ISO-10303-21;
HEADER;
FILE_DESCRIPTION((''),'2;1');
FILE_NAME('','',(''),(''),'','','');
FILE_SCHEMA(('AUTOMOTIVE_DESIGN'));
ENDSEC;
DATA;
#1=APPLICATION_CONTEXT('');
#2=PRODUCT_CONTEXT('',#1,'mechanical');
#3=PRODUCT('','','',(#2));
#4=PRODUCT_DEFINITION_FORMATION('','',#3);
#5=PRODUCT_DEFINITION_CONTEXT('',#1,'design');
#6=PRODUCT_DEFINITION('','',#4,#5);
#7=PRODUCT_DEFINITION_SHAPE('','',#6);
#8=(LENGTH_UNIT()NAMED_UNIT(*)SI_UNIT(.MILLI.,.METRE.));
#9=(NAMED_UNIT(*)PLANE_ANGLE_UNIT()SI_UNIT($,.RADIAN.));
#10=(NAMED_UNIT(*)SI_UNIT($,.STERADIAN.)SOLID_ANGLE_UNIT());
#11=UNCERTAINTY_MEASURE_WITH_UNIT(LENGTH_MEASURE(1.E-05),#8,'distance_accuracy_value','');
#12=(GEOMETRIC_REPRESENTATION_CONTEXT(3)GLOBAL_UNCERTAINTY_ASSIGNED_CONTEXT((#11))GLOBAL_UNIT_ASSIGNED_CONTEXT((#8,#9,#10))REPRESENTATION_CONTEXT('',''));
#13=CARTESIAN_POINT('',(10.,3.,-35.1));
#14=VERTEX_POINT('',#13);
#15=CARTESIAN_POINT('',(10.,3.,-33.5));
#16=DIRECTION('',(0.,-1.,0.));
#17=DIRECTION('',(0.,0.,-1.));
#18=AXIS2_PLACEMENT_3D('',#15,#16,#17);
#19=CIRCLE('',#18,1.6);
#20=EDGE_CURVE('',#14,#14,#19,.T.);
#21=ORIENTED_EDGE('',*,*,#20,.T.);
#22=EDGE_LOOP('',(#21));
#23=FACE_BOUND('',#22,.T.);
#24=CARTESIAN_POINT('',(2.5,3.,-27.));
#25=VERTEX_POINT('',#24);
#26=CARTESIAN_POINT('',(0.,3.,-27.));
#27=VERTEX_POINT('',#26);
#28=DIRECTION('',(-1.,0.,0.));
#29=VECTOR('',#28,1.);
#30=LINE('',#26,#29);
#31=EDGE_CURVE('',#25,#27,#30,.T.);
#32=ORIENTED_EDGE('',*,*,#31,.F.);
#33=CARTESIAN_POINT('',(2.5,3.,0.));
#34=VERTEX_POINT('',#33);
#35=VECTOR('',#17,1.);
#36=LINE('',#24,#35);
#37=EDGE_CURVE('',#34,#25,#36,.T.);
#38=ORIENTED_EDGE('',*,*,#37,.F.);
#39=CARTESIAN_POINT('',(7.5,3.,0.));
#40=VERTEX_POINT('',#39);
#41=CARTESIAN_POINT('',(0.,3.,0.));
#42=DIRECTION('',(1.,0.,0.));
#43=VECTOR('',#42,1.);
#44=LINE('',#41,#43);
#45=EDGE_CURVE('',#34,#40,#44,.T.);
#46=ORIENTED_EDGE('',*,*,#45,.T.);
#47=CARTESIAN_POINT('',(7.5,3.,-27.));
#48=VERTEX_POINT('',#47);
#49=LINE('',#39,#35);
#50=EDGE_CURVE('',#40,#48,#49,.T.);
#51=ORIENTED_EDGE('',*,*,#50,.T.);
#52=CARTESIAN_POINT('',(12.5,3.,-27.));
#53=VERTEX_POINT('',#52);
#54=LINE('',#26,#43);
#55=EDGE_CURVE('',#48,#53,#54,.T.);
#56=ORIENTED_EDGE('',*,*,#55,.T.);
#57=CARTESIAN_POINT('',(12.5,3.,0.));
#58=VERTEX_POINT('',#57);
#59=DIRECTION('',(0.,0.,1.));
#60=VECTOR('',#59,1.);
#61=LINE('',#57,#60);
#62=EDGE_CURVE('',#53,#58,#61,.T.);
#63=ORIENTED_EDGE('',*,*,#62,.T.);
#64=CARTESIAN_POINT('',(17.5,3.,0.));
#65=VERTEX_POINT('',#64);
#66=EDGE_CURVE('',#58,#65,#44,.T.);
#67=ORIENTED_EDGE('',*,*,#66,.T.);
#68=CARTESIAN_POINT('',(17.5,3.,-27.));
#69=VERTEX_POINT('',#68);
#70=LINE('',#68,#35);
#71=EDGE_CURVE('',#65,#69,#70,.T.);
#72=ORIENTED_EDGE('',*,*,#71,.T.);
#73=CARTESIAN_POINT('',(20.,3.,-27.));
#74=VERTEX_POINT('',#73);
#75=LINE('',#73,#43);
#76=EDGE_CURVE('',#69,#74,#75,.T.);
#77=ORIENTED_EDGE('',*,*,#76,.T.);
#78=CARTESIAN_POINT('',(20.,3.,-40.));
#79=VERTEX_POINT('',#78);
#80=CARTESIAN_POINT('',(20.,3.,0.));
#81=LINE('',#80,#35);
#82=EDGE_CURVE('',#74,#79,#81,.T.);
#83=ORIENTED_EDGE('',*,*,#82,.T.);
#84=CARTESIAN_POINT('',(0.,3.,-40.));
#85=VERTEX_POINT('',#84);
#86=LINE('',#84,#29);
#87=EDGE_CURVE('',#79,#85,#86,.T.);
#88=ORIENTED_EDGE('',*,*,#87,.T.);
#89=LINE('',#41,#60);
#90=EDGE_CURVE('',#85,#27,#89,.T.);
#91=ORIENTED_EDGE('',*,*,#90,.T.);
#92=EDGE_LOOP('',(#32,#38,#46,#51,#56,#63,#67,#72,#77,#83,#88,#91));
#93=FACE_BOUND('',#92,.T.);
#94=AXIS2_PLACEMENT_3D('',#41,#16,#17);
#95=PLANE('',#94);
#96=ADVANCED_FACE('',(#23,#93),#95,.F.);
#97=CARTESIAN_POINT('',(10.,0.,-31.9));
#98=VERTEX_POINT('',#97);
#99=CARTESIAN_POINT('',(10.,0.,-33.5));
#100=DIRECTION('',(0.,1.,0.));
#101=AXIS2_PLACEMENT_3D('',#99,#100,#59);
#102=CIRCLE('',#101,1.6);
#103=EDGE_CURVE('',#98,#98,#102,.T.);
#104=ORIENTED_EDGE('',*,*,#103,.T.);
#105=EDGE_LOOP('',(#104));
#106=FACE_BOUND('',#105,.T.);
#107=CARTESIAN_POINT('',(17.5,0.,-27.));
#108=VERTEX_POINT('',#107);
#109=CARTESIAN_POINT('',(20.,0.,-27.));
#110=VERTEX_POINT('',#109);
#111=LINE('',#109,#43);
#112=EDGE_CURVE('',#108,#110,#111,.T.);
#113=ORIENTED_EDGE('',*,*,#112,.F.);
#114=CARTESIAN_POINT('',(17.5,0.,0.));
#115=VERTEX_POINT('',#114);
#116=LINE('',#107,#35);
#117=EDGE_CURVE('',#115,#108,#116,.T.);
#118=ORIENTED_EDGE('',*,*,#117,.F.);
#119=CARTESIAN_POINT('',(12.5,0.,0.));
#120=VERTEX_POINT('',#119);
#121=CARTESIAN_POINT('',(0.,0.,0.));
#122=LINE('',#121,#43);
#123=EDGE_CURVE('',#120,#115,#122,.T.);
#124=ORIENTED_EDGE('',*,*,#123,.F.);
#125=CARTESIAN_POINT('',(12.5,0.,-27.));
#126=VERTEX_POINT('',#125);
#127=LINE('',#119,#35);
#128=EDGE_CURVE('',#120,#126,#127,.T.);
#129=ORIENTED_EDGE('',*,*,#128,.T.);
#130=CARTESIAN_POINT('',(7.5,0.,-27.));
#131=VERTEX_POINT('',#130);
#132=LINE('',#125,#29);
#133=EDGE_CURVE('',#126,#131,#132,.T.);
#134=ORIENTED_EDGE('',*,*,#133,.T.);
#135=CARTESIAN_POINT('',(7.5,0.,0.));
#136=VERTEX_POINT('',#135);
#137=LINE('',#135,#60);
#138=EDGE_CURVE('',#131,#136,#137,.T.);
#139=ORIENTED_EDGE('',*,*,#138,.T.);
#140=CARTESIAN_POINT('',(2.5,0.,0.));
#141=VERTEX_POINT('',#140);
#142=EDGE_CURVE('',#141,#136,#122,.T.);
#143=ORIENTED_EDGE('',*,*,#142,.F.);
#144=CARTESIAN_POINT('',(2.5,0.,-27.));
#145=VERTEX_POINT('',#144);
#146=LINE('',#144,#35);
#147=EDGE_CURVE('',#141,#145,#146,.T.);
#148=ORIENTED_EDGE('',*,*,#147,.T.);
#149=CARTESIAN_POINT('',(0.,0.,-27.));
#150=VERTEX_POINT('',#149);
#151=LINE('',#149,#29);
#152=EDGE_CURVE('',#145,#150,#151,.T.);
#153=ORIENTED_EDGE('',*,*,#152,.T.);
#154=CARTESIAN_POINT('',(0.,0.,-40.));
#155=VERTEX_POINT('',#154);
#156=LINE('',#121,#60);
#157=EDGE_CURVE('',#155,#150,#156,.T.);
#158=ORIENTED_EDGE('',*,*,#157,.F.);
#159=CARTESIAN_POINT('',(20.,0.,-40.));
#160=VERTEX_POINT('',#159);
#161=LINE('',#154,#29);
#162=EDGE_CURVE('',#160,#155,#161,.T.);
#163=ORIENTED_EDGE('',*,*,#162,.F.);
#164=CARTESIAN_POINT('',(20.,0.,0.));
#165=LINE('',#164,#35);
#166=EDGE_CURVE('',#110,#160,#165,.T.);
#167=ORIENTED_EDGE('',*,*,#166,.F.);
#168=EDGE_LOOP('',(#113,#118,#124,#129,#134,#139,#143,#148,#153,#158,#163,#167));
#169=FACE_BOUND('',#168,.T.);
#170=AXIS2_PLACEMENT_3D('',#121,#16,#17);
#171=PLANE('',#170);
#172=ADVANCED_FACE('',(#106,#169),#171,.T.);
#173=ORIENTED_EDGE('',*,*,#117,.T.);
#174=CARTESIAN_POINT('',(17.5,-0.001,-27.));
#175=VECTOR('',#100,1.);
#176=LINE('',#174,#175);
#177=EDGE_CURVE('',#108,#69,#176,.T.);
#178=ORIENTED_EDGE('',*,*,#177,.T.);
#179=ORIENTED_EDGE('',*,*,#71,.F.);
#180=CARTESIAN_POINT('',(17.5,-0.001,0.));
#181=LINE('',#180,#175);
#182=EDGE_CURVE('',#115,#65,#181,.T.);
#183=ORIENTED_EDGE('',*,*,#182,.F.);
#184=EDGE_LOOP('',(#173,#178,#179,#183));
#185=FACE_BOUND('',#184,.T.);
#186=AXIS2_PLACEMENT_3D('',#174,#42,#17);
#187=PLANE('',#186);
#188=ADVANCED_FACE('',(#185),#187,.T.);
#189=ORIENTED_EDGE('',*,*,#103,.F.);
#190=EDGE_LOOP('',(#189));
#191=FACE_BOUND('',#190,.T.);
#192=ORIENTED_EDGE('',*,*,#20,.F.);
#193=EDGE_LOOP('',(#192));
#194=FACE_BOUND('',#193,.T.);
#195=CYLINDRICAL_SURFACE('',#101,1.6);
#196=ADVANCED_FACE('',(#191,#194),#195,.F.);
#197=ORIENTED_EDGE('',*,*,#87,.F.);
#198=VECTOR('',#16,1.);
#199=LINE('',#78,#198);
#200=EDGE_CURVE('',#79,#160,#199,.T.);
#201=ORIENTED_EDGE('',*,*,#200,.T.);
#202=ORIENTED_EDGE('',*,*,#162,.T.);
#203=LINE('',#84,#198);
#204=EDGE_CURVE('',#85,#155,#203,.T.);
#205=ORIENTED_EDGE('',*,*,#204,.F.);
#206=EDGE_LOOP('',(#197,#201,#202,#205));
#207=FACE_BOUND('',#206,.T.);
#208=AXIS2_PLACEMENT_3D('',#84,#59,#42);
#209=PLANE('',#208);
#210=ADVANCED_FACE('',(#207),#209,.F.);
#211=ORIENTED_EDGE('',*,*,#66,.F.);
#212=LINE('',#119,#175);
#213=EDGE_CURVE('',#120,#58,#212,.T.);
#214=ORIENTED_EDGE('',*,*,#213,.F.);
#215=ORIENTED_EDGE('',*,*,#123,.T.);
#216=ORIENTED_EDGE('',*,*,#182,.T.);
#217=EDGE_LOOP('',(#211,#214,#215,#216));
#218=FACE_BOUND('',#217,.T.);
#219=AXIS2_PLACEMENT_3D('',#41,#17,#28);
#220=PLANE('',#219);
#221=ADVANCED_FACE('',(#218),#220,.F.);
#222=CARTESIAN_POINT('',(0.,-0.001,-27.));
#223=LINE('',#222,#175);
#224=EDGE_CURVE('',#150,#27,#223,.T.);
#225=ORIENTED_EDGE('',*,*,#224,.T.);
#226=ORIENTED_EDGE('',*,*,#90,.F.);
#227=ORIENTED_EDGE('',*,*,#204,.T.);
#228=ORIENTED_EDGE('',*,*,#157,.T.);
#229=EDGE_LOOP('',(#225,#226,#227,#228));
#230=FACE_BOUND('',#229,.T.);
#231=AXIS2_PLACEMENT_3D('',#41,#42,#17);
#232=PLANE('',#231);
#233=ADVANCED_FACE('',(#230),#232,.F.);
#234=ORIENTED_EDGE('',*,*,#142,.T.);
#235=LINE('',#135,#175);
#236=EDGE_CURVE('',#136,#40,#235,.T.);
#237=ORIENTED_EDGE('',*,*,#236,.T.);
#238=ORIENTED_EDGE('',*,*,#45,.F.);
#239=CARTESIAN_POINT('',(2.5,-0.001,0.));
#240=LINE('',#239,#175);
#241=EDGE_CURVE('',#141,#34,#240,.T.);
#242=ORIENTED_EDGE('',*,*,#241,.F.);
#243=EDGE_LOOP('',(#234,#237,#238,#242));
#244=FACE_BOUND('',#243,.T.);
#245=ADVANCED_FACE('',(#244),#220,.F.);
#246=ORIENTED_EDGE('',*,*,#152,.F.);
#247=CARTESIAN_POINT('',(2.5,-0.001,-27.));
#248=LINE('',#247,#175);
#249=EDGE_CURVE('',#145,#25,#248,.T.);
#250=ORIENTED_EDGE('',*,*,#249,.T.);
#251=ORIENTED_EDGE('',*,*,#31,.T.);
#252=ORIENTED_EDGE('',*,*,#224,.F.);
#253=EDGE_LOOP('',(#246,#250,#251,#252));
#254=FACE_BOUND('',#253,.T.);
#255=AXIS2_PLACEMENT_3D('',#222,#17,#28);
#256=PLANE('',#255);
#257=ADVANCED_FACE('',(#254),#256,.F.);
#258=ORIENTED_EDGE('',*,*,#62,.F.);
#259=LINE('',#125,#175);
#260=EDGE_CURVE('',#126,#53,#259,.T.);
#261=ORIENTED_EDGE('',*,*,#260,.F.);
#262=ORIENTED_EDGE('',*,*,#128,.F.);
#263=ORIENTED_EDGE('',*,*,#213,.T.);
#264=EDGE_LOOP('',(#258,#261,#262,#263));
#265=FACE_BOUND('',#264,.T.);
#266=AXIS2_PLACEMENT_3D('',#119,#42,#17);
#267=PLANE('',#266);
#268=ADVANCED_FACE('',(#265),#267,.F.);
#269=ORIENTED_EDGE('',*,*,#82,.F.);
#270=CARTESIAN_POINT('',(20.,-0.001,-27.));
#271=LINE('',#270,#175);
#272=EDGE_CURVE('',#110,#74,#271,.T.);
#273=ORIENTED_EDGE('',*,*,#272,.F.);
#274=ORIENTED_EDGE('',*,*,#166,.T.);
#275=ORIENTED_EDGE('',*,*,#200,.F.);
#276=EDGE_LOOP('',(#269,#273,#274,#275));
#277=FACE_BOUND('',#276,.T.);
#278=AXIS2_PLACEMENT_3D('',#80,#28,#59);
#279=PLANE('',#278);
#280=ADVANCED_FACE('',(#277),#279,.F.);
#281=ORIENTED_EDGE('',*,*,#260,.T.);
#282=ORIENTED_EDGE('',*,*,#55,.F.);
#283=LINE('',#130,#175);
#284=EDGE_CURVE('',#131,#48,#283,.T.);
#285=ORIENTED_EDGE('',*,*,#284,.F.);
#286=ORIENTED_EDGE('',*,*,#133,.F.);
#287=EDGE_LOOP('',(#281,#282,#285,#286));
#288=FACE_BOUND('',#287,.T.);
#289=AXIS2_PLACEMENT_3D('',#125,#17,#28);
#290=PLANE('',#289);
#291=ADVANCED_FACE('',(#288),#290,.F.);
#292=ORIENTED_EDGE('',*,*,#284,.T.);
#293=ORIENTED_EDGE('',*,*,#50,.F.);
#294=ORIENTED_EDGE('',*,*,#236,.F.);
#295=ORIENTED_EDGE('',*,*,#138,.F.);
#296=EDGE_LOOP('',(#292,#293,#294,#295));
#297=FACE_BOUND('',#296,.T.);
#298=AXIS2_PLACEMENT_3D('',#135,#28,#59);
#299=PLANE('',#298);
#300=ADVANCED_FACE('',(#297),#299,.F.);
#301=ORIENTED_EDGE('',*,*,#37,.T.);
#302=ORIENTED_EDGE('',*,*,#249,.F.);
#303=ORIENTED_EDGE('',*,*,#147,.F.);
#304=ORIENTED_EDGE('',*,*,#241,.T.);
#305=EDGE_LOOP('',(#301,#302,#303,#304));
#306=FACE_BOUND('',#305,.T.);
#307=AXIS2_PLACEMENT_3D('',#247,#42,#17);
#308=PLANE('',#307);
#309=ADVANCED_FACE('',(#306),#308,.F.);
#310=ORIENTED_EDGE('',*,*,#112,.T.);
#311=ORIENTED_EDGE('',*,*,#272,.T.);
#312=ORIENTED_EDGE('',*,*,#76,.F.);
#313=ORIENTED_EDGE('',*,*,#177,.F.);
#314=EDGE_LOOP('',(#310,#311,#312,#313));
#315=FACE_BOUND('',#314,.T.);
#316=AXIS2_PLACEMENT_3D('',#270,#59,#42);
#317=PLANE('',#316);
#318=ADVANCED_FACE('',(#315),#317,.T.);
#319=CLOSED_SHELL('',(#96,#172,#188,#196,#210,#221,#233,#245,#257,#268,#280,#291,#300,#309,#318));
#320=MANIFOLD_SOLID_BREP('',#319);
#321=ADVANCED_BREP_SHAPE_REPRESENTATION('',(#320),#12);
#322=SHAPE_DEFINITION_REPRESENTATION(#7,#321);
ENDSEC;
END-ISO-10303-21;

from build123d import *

# Parameters (mm, degrees)
SKETCH1_W               = 20
SKETCH1_H               = 40
BOSS_EXTRUDE1_DEPTH     = 3
SKETCH2_W               = 2.5
SKETCH2_H               = 27
CUT_EXTRUDE1_DEPTH      = 3
SKETCH3_R               = 1.6
CUT_EXTRUDE2_DEPTH      = 1
CUT_EXTRUDE2_DEPTH_BACK = 4
SKETCH4_W               = 5
SKETCH4_H               = 27
CUT_EXTRUDE3_DEPTH      = 1
CUT_EXTRUDE3_DEPTH_BACK = 4


with BuildPart() as part:
    # Sketch1 → Boss-Extrude1 (new body)
    with BuildSketch(Plane(origin=(0, 0, 0), x_dir=(1, 0, 0), z_dir=(0, 1, 0))):
        with Locations((10, 20)):
            Rectangle(SKETCH1_W, SKETCH1_H)
    extrude(amount=BOSS_EXTRUDE1_DEPTH)

    # Sketch2 → Cut-Extrude1 (cut)
    with BuildSketch(Plane(origin=(0, 3, 0), x_dir=(1, 0, 0), z_dir=(0, 1, 0))):
        with Locations((1.25, 13.5)):
            Rectangle(SKETCH2_W, SKETCH2_H)
    cut_extrude1 = extrude(amount=-CUT_EXTRUDE1_DEPTH, mode=Mode.SUBTRACT)

    # Mirror1: Cut-Extrude1 across plane
    add(cut_extrude1.mirror(Plane.ZY.offset(-10)), mode=Mode.SUBTRACT)

    # Sketch3 → Cut-Extrude2 (cut, two sides)
    with BuildSketch(Plane(origin=(0, 3, 0), x_dir=(1, 0, 0), z_dir=(0, 1, 0))) as cut_extrude2_sk:
        with Locations((10, 33.5)):
            Circle(SKETCH3_R)
    extrude(amount=CUT_EXTRUDE2_DEPTH, mode=Mode.SUBTRACT)
    extrude(cut_extrude2_sk.sketch, amount=-CUT_EXTRUDE2_DEPTH_BACK, mode=Mode.SUBTRACT)

    # Sketch4 → Cut-Extrude3 (cut, two sides)
    with BuildSketch(Plane(origin=(0, 3, 0), x_dir=(1, 0, 0), z_dir=(0, 1, 0))) as cut_extrude3_sk:
        with Locations((10, 13.5)):
            Rectangle(SKETCH4_W, SKETCH4_H)
    extrude(amount=CUT_EXTRUDE3_DEPTH, mode=Mode.SUBTRACT)
    extrude(cut_extrude3_sk.sketch, amount=-CUT_EXTRUDE3_DEPTH_BACK, mode=Mode.SUBTRACT)


solid = part.part
